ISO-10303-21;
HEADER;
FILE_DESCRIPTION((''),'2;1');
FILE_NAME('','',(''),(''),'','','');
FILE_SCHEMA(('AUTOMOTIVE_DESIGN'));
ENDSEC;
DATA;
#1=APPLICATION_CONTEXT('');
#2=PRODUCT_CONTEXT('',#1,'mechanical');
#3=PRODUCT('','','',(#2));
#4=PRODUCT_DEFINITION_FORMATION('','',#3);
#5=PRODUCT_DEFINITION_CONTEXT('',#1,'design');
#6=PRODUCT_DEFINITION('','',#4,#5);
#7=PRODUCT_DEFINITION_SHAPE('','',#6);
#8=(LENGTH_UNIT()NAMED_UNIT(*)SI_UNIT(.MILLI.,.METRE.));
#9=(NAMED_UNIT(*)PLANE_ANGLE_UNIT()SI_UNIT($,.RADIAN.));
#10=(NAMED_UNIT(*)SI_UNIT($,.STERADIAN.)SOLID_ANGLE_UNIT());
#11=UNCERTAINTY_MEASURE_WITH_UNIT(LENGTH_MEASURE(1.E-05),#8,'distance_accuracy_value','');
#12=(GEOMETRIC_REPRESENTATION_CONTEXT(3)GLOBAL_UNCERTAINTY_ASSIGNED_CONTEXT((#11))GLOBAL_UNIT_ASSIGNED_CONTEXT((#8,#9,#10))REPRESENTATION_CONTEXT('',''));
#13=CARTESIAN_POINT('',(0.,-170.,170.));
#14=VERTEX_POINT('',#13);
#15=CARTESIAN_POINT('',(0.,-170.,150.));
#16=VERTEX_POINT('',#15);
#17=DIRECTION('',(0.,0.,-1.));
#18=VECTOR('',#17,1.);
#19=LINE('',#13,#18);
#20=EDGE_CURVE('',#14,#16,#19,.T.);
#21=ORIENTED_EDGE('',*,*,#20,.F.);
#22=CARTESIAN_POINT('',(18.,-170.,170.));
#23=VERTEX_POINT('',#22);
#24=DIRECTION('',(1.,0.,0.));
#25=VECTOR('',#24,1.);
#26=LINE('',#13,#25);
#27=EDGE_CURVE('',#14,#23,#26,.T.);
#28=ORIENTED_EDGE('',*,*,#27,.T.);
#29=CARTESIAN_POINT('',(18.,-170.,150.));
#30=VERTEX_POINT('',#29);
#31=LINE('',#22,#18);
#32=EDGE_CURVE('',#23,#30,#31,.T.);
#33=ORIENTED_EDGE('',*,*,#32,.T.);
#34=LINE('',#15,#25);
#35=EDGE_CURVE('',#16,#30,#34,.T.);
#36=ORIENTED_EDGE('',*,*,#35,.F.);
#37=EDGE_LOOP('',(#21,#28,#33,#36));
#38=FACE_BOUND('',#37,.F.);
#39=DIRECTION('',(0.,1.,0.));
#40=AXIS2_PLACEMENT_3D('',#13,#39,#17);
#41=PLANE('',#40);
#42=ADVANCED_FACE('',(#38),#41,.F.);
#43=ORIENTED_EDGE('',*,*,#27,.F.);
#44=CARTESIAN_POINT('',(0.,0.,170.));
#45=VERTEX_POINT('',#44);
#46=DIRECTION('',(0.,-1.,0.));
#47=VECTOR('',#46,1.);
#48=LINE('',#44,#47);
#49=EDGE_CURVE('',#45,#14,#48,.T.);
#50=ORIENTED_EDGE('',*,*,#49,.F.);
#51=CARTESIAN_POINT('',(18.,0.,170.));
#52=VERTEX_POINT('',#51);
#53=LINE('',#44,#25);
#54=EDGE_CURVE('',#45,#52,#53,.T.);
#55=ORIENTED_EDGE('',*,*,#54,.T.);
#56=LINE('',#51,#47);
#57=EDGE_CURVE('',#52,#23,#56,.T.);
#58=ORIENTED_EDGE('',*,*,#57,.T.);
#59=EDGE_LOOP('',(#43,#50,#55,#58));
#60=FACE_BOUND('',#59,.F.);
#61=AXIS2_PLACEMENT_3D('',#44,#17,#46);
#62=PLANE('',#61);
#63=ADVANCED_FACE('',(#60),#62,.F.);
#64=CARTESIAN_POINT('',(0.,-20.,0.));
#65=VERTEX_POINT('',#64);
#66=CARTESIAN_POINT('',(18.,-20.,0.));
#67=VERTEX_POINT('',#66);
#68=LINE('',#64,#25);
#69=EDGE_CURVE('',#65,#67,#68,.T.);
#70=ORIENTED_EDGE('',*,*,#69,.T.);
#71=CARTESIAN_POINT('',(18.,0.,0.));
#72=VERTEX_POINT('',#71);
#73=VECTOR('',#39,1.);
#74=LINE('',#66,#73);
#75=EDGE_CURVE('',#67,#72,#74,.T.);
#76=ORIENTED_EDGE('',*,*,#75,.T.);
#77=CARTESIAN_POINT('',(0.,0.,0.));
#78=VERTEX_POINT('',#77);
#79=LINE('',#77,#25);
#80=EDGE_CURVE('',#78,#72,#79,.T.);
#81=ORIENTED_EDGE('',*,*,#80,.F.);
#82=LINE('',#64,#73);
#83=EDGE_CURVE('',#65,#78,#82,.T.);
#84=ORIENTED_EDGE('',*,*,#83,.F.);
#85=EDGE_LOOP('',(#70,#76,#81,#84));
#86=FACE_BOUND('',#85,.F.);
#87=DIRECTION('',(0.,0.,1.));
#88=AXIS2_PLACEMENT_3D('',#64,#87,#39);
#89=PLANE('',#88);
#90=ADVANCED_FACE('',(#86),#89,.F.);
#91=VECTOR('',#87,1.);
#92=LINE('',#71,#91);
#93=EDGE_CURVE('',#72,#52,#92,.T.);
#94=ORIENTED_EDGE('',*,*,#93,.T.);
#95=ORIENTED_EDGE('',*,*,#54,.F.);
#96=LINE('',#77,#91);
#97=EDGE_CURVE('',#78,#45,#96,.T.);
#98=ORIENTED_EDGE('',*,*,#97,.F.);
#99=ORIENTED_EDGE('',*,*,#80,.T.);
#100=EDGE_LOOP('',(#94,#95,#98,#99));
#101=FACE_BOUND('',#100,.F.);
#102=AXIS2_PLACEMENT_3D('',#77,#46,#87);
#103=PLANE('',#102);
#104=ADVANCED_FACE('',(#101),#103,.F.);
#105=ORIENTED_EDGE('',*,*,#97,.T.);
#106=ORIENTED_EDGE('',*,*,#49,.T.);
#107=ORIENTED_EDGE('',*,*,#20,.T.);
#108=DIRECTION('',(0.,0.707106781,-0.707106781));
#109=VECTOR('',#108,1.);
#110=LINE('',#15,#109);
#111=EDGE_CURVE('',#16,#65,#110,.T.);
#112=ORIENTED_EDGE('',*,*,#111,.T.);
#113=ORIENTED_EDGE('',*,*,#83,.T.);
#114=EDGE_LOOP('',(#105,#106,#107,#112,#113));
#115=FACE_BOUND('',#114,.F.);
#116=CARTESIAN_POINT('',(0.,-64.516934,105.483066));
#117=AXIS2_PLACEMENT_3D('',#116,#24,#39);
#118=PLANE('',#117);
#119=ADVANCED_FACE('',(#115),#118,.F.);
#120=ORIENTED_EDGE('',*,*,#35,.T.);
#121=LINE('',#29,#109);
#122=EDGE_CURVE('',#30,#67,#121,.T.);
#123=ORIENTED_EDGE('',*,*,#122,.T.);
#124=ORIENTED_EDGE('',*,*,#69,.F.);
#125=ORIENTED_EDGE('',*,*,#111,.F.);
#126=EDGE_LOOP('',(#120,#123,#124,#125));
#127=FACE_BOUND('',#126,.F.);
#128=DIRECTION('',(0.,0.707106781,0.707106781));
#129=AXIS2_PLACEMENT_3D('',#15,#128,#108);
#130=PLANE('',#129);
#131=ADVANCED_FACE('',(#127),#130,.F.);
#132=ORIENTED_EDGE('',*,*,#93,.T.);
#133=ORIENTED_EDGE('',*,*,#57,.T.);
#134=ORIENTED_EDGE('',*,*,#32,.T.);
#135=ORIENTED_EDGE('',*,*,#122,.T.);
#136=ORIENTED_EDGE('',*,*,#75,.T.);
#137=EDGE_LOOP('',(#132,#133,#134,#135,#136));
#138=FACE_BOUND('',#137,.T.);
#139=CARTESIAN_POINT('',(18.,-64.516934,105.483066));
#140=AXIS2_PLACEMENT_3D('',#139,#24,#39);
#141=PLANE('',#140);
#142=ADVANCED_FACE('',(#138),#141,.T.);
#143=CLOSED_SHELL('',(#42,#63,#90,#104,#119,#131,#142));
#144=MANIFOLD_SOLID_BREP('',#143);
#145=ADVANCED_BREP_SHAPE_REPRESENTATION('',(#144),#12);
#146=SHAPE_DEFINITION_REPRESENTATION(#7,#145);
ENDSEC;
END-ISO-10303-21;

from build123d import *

# Parameters (mm, degrees)
PAD_DEPTH = 18


with BuildPart() as part:
    # Sketch → Pad (new body)
    with BuildSketch(Plane.YZ):
        Polygon((0, 170), (-170, 170), (-170, 150), (-20, 0), (0, 0), align=None)
    extrude(amount=PAD_DEPTH)


solid = part.part
